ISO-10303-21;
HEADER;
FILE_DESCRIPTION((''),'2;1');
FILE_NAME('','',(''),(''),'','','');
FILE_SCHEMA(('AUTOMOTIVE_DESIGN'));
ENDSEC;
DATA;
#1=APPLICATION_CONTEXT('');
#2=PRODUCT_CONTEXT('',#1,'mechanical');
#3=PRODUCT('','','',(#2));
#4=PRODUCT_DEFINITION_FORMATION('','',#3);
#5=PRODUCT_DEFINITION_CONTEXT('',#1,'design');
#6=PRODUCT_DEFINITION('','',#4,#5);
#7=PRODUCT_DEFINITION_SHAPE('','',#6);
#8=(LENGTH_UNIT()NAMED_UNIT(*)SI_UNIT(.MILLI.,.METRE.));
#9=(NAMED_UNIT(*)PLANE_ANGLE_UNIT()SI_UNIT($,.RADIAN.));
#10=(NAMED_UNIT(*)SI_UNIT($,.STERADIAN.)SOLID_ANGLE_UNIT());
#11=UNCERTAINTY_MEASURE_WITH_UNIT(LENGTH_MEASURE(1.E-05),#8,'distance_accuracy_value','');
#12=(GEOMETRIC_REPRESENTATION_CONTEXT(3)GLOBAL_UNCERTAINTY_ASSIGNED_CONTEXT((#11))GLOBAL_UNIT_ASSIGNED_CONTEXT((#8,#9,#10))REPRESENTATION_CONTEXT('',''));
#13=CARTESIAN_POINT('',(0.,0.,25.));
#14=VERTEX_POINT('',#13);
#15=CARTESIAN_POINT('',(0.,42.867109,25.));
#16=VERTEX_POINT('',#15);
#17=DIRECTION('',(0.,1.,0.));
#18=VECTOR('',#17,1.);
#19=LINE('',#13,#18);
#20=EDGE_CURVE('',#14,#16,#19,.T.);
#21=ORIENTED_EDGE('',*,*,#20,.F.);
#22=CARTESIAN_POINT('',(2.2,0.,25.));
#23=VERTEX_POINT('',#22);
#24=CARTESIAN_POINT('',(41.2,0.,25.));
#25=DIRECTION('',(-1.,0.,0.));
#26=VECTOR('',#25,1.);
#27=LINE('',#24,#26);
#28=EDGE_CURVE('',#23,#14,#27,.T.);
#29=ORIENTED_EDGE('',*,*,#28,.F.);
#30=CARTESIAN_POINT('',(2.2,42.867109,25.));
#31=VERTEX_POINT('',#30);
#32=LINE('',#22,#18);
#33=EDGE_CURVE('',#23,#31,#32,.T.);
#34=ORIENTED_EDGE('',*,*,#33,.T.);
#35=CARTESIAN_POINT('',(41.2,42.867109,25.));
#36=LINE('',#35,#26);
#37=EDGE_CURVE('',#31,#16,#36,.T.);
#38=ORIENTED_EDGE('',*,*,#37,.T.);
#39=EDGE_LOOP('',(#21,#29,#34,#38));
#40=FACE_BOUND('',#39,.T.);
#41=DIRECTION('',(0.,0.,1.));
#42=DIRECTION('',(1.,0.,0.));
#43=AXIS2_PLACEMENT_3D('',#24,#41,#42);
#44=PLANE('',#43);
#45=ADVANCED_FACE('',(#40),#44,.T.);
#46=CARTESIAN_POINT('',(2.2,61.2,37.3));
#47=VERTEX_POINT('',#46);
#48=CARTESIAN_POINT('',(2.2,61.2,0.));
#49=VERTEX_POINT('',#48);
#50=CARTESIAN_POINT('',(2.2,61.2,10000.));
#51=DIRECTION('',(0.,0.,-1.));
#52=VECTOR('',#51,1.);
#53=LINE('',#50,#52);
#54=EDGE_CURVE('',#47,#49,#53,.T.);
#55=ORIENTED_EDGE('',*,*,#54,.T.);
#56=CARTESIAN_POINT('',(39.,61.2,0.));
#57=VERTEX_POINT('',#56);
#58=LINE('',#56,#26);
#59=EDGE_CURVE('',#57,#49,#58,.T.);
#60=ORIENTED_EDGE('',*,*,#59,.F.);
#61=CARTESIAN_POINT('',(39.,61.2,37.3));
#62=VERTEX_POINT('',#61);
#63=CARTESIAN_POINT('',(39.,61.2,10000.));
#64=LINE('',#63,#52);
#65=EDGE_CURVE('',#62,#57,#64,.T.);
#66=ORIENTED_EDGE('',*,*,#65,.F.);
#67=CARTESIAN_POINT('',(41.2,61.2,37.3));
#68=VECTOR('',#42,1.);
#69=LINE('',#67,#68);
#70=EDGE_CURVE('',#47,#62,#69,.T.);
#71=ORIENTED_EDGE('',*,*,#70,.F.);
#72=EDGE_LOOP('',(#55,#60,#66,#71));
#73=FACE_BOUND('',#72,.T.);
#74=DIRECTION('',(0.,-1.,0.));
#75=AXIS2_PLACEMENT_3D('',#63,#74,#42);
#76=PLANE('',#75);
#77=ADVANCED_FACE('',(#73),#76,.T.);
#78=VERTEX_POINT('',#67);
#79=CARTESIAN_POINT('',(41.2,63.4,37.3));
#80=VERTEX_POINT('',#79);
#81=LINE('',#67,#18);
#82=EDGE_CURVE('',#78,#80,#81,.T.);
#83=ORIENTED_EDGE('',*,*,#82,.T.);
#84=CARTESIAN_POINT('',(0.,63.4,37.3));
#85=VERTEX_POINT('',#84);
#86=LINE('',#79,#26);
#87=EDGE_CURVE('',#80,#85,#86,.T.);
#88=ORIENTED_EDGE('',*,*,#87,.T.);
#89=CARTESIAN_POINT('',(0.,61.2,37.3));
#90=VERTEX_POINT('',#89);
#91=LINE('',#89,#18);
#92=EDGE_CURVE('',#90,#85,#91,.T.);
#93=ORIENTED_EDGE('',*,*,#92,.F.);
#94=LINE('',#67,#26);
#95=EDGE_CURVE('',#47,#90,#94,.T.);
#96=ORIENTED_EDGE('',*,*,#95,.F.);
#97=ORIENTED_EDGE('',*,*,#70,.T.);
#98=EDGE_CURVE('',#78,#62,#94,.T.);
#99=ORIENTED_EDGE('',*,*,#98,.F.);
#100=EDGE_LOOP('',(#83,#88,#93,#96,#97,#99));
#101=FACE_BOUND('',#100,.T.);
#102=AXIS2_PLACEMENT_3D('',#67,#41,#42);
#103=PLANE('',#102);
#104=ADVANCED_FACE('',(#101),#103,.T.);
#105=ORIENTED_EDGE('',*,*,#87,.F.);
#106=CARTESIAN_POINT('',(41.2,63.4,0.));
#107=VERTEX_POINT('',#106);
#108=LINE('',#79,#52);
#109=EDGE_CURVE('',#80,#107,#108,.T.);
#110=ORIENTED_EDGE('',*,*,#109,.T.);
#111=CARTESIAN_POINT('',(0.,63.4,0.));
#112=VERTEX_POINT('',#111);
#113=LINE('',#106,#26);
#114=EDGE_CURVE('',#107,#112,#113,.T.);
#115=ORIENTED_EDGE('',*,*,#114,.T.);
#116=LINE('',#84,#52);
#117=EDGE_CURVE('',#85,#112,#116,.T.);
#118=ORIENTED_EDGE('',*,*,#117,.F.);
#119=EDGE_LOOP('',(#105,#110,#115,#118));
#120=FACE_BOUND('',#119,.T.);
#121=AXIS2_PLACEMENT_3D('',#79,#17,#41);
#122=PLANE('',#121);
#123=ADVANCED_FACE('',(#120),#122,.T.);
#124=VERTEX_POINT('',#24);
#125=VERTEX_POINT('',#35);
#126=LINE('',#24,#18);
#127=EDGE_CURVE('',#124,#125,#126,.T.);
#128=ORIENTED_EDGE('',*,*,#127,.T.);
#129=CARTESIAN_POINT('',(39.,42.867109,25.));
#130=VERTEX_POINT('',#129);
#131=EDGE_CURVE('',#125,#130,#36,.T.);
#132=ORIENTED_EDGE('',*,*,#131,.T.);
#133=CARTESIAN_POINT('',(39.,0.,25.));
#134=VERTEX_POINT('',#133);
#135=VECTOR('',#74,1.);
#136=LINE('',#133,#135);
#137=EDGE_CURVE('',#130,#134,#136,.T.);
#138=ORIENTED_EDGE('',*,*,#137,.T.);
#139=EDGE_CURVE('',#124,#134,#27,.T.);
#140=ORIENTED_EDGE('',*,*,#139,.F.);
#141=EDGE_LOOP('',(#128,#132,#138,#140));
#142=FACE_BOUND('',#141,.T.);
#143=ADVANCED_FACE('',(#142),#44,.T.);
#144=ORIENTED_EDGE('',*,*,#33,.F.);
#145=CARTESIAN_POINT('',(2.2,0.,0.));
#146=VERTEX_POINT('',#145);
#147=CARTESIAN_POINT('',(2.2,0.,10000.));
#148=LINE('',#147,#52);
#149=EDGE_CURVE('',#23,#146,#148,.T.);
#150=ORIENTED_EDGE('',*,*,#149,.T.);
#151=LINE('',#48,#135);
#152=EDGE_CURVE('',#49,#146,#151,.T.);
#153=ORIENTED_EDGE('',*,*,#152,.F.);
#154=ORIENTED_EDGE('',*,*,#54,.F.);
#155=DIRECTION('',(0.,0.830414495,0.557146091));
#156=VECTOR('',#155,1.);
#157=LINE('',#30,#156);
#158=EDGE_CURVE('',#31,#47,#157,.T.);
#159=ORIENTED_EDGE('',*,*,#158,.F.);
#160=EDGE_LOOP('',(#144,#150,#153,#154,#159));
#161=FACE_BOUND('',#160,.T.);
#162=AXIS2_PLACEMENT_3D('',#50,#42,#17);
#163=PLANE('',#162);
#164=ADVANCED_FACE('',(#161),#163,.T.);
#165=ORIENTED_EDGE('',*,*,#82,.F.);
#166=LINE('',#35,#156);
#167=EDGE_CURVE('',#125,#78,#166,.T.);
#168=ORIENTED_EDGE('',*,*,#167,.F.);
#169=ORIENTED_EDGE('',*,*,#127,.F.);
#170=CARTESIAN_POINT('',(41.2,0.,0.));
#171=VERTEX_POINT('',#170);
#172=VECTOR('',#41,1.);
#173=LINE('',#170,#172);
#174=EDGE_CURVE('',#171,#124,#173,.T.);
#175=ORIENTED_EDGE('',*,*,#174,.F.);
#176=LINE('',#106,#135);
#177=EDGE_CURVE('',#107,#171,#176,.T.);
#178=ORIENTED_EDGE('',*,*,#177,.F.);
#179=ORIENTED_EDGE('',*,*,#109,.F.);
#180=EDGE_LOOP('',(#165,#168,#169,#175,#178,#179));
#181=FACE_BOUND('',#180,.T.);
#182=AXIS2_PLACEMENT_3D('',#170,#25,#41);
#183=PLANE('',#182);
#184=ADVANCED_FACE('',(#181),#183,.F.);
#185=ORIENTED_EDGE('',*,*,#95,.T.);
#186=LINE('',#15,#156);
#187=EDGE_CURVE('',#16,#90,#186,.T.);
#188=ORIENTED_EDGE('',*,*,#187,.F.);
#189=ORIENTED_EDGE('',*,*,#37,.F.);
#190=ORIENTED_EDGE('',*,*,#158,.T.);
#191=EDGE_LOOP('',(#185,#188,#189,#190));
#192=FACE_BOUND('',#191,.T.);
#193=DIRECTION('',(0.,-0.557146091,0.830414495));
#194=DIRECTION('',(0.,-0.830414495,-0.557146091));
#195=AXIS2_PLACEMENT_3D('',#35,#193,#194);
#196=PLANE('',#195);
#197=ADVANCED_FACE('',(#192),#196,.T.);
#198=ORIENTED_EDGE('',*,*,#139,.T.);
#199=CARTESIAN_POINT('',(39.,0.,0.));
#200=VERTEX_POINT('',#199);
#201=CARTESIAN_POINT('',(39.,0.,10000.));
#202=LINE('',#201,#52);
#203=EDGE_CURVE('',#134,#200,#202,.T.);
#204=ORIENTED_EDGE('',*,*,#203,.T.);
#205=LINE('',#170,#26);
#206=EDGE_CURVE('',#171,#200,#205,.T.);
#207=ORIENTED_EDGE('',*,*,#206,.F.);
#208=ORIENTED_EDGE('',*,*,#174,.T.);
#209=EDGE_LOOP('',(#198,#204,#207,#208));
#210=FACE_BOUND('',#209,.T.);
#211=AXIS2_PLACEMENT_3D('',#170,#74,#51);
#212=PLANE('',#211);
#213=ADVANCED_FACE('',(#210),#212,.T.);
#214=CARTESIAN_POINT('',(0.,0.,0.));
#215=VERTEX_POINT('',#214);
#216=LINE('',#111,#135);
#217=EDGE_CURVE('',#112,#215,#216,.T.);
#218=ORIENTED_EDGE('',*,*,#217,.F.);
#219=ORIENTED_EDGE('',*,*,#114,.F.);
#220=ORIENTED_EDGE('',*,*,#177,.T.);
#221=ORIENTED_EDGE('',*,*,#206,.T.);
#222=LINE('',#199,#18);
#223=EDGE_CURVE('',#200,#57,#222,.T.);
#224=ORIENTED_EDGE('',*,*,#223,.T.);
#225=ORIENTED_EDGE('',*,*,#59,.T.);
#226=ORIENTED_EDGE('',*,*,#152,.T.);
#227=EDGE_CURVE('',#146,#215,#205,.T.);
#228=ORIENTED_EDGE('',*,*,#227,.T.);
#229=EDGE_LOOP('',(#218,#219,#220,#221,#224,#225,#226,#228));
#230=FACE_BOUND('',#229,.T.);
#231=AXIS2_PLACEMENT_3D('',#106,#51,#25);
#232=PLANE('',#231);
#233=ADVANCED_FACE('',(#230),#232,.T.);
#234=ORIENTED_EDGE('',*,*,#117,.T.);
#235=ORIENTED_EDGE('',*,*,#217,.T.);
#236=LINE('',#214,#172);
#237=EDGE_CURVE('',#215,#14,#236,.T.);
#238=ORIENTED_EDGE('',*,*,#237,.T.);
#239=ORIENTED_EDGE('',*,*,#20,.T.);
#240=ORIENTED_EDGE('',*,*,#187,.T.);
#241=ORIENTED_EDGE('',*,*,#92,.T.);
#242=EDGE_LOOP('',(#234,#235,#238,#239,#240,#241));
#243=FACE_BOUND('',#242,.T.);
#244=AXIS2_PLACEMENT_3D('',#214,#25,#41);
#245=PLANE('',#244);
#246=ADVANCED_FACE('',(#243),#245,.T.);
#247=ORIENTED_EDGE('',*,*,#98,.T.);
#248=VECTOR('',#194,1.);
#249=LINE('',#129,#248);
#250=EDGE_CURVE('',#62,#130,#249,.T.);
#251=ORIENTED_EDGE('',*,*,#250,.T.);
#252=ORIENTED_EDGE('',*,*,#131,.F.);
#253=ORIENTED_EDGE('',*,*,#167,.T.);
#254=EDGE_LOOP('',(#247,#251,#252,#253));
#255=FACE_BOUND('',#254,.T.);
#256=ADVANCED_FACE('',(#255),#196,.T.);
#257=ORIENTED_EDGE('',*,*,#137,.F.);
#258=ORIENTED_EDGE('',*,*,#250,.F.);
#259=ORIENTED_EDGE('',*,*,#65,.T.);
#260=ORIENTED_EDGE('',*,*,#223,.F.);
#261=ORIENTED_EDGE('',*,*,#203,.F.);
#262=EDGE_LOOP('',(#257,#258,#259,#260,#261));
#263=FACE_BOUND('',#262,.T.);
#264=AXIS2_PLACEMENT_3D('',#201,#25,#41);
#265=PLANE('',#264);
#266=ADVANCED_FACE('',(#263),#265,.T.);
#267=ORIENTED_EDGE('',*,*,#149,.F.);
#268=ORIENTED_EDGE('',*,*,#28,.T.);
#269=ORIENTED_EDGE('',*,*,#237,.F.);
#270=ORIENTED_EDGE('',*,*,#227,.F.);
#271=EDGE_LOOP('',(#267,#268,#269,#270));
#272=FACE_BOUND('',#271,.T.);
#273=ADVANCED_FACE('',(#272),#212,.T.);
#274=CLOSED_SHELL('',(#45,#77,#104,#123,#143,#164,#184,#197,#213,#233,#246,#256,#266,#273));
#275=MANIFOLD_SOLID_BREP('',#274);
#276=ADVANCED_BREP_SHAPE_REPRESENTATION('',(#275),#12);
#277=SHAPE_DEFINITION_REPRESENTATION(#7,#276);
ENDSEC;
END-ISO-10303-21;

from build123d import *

# Parameters (mm, degrees)
BOSS_EXTRUDE1_DEPTH = 41.2
SKETCH4_W           = 36.8
SKETCH4_H           = 61.2
CUT_EXTRUDE1_DEPTH  = 10000


with BuildPart() as part:
    # Sketch2 → Boss-Extrude1 (new body)
    with BuildSketch(Plane(origin=(0, 0, 0), x_dir=(0, 0, -1), z_dir=(1, 0, 0))):
        Polygon((0, 0), (-25, 0), (-25, 42.867109497), (-37.3, 61.2), (-37.3, 63.4), (0, 63.4), align=None)
    extrude(amount=BOSS_EXTRUDE1_DEPTH)

    # Sketch4 → Cut-Extrude1 (cut)
    with BuildSketch(Plane.XY):
        with Locations((20.6, 30.6)):
            Rectangle(SKETCH4_W, SKETCH4_H)
    extrude(amount=CUT_EXTRUDE1_DEPTH, mode=Mode.SUBTRACT)


solid = part.part
